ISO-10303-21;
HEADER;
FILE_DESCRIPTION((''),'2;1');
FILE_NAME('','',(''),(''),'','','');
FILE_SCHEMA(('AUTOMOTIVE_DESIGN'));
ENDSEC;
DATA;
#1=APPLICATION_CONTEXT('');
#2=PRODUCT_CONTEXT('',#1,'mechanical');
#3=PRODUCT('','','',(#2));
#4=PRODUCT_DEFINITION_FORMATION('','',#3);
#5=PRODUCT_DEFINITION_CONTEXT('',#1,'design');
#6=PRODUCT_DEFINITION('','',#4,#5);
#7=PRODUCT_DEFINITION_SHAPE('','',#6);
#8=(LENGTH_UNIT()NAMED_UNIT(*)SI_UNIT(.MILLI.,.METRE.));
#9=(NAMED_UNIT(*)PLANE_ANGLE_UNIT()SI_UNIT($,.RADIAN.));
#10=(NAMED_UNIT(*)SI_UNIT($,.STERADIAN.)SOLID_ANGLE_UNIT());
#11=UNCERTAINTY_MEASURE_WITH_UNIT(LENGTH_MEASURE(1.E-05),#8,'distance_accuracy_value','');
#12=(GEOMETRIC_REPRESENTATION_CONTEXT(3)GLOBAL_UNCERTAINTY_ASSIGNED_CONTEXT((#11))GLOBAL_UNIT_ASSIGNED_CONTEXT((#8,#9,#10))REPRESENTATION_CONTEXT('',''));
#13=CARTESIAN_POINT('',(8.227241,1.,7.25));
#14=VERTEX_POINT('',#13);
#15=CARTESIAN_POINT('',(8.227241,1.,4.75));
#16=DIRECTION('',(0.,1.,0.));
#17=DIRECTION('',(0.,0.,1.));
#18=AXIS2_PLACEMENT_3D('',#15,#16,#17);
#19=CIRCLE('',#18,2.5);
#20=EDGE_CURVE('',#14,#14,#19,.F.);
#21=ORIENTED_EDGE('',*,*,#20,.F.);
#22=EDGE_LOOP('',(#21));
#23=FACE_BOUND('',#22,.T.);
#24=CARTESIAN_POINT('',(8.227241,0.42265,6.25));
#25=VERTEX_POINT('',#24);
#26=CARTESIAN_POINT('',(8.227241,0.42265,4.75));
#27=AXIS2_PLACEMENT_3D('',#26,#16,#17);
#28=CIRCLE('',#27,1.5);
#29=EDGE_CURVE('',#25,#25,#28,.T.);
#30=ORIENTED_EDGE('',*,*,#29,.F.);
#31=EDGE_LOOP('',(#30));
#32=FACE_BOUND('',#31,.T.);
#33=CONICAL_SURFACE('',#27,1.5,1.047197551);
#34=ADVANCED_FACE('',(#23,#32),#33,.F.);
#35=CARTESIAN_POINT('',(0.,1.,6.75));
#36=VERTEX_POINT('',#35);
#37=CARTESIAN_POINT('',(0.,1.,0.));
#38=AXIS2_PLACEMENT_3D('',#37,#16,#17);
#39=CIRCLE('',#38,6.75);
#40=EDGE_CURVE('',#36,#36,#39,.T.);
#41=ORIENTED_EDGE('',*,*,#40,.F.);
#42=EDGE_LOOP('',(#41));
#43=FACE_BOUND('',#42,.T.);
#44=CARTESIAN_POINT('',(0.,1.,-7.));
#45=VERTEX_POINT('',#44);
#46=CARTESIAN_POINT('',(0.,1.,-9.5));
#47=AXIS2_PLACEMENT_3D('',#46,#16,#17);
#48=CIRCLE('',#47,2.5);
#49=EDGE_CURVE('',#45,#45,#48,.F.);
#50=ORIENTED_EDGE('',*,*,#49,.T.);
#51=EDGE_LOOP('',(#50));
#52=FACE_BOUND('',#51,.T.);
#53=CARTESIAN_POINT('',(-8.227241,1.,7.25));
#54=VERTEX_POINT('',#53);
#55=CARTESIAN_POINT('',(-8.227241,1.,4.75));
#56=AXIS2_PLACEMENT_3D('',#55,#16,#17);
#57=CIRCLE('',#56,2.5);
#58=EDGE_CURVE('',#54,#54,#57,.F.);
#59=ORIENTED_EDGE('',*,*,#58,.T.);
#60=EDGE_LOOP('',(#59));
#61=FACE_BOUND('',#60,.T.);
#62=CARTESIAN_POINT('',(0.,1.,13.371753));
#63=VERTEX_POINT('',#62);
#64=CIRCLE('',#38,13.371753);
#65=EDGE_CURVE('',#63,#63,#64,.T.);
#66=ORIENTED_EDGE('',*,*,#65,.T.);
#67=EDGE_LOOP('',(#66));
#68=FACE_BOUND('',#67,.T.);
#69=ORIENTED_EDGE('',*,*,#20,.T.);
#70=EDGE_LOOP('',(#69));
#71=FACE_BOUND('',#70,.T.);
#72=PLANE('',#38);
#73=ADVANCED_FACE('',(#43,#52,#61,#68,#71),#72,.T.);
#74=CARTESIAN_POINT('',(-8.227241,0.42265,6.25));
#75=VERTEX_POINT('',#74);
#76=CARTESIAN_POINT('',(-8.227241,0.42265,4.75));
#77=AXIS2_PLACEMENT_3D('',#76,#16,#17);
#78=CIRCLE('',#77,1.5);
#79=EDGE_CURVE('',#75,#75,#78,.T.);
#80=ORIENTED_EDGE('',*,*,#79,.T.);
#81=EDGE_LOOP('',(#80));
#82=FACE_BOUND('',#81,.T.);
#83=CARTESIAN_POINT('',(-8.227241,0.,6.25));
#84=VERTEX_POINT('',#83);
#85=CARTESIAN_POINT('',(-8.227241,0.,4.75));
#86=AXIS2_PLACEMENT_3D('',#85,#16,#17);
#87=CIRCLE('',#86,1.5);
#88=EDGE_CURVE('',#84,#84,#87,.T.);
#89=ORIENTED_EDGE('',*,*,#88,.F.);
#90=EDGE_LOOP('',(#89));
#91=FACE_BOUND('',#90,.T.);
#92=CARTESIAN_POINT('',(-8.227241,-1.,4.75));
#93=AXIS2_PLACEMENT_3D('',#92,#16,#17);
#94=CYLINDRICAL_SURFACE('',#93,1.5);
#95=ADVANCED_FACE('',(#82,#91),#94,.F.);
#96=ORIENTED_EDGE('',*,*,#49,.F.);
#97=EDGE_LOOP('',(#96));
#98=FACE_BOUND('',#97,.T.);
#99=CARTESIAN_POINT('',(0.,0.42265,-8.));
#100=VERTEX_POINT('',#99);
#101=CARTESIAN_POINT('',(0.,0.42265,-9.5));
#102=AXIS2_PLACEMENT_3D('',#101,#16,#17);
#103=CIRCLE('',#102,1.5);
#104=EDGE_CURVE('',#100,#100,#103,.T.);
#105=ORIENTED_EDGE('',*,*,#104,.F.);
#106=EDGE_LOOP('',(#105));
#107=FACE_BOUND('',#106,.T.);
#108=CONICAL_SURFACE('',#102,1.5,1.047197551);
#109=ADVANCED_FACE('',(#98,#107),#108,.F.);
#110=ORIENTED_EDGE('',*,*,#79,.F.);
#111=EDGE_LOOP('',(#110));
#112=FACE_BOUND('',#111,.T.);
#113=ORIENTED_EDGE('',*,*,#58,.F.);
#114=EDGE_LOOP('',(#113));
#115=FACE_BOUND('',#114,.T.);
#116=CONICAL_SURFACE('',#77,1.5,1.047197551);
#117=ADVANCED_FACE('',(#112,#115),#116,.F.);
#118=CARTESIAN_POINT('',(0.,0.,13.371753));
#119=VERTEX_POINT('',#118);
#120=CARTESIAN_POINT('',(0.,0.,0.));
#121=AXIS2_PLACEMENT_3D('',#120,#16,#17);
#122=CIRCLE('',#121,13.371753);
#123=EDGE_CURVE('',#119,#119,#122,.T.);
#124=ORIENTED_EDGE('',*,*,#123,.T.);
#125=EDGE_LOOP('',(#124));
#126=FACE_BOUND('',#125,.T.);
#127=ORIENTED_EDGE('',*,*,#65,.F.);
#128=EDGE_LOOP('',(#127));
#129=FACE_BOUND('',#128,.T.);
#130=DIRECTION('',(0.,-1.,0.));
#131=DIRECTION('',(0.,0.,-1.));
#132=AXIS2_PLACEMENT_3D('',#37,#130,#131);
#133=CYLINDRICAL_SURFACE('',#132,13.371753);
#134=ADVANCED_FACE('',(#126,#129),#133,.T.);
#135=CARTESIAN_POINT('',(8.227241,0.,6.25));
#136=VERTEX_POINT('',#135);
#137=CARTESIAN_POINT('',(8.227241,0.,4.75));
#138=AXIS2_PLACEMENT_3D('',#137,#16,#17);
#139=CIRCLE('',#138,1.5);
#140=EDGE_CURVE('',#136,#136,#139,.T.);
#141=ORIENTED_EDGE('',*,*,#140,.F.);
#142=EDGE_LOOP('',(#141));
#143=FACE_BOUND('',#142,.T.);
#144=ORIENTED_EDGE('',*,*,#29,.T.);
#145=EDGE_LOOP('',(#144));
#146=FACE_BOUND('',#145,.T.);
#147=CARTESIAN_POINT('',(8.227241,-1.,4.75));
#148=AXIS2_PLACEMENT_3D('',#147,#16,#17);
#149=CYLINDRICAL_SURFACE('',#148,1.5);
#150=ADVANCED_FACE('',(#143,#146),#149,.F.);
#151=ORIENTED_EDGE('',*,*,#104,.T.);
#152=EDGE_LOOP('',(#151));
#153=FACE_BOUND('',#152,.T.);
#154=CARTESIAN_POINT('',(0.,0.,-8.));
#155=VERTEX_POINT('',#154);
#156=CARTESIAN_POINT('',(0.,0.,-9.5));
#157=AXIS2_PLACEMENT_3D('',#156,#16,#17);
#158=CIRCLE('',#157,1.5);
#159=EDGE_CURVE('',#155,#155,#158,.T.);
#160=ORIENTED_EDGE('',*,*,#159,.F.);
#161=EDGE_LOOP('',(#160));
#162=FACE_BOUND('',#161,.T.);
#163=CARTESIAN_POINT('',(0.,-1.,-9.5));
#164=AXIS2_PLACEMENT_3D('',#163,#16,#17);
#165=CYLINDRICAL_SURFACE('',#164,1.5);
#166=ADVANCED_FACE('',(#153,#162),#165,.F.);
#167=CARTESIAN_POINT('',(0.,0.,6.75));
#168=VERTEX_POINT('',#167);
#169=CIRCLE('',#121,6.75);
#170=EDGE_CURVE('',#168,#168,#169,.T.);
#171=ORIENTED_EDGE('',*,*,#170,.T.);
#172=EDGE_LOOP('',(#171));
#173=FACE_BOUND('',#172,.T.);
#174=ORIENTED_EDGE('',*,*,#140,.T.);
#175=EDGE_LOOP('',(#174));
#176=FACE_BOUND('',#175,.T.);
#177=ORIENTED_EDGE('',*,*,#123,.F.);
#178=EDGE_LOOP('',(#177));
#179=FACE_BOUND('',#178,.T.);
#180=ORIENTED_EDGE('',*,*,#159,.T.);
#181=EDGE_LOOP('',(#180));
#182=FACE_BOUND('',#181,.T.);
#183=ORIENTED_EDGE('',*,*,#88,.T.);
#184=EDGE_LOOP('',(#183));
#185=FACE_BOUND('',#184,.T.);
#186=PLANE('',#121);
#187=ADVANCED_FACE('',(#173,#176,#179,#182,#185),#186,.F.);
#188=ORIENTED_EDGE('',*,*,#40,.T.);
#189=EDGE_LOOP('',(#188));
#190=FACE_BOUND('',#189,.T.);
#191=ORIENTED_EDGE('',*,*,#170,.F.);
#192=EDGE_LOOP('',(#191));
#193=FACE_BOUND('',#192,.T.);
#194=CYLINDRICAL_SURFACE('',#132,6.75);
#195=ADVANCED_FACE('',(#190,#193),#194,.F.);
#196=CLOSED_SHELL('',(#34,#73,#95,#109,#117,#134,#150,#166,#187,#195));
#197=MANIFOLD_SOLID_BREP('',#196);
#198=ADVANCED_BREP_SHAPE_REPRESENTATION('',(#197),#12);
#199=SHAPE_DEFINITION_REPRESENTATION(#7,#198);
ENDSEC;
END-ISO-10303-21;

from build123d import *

# Parameters (mm, degrees)
SKETCH_1_R          = 13.371753228
SKETCH_1_R_2        = 6.75
EXTRUDE_1_DEPTH     = 1
SKETCH_2_R          = 1.5
CUT_EXTRUDE_1_DEPTH = 2
CHAMFER_1_SIZE      = 1
CHAMFER_1_SIZE2     = 0.577350269


with BuildPart() as part:
    # 草图1 → 凸台-拉伸1 (new body)
    with BuildSketch(Plane(origin=(0, 0, 0), x_dir=(1, 0, 0), z_dir=(0, 1, 0))):
        with Locations(Location((0, 0, 0), (0, 0, 270))):
            Circle(SKETCH_1_R)
        with Locations(Location((0, 0, 0), (0, 0, 270))):
            Circle(SKETCH_1_R_2, mode=Mode.SUBTRACT)
    extrude(amount=EXTRUDE_1_DEPTH)

    # 草图2 → 切除-拉伸1 (cut)
    with BuildSketch(Plane(origin=(0, 1, 0), x_dir=(1, 0, 0), z_dir=(0, 1, 0))):
        with Locations(Location((0, 9.5, 0), (0, 0, 270))):
            Circle(SKETCH_2_R)
        with Locations(Location((8.227241336, -4.75, 0), (0, 0, 270))):
            Circle(SKETCH_2_R)
        with Locations(Location((-8.227241336, -4.75, 0), (0, 0, 270))):
            Circle(SKETCH_2_R)
    extrude(amount=-CUT_EXTRUDE_1_DEPTH, mode=Mode.SUBTRACT)

    # 倒角1
    chamfer_1_edges = [part.edges().sort_by_distance(p)[0] for p in [
        (0, 1, -11),
        (8.227241336, 1, 3.25),
        (-8.227241336, 1, 3.25),
    ]]
    chamfer_1_side = [part.faces().sort_by_distance(p)[0] for p in [
        (0, 1, -12.993542933),
    ]]
    chamfer(chamfer_1_edges, length=CHAMFER_1_SIZE, length2=CHAMFER_1_SIZE2, reference=chamfer_1_side[0])


solid = part.part
